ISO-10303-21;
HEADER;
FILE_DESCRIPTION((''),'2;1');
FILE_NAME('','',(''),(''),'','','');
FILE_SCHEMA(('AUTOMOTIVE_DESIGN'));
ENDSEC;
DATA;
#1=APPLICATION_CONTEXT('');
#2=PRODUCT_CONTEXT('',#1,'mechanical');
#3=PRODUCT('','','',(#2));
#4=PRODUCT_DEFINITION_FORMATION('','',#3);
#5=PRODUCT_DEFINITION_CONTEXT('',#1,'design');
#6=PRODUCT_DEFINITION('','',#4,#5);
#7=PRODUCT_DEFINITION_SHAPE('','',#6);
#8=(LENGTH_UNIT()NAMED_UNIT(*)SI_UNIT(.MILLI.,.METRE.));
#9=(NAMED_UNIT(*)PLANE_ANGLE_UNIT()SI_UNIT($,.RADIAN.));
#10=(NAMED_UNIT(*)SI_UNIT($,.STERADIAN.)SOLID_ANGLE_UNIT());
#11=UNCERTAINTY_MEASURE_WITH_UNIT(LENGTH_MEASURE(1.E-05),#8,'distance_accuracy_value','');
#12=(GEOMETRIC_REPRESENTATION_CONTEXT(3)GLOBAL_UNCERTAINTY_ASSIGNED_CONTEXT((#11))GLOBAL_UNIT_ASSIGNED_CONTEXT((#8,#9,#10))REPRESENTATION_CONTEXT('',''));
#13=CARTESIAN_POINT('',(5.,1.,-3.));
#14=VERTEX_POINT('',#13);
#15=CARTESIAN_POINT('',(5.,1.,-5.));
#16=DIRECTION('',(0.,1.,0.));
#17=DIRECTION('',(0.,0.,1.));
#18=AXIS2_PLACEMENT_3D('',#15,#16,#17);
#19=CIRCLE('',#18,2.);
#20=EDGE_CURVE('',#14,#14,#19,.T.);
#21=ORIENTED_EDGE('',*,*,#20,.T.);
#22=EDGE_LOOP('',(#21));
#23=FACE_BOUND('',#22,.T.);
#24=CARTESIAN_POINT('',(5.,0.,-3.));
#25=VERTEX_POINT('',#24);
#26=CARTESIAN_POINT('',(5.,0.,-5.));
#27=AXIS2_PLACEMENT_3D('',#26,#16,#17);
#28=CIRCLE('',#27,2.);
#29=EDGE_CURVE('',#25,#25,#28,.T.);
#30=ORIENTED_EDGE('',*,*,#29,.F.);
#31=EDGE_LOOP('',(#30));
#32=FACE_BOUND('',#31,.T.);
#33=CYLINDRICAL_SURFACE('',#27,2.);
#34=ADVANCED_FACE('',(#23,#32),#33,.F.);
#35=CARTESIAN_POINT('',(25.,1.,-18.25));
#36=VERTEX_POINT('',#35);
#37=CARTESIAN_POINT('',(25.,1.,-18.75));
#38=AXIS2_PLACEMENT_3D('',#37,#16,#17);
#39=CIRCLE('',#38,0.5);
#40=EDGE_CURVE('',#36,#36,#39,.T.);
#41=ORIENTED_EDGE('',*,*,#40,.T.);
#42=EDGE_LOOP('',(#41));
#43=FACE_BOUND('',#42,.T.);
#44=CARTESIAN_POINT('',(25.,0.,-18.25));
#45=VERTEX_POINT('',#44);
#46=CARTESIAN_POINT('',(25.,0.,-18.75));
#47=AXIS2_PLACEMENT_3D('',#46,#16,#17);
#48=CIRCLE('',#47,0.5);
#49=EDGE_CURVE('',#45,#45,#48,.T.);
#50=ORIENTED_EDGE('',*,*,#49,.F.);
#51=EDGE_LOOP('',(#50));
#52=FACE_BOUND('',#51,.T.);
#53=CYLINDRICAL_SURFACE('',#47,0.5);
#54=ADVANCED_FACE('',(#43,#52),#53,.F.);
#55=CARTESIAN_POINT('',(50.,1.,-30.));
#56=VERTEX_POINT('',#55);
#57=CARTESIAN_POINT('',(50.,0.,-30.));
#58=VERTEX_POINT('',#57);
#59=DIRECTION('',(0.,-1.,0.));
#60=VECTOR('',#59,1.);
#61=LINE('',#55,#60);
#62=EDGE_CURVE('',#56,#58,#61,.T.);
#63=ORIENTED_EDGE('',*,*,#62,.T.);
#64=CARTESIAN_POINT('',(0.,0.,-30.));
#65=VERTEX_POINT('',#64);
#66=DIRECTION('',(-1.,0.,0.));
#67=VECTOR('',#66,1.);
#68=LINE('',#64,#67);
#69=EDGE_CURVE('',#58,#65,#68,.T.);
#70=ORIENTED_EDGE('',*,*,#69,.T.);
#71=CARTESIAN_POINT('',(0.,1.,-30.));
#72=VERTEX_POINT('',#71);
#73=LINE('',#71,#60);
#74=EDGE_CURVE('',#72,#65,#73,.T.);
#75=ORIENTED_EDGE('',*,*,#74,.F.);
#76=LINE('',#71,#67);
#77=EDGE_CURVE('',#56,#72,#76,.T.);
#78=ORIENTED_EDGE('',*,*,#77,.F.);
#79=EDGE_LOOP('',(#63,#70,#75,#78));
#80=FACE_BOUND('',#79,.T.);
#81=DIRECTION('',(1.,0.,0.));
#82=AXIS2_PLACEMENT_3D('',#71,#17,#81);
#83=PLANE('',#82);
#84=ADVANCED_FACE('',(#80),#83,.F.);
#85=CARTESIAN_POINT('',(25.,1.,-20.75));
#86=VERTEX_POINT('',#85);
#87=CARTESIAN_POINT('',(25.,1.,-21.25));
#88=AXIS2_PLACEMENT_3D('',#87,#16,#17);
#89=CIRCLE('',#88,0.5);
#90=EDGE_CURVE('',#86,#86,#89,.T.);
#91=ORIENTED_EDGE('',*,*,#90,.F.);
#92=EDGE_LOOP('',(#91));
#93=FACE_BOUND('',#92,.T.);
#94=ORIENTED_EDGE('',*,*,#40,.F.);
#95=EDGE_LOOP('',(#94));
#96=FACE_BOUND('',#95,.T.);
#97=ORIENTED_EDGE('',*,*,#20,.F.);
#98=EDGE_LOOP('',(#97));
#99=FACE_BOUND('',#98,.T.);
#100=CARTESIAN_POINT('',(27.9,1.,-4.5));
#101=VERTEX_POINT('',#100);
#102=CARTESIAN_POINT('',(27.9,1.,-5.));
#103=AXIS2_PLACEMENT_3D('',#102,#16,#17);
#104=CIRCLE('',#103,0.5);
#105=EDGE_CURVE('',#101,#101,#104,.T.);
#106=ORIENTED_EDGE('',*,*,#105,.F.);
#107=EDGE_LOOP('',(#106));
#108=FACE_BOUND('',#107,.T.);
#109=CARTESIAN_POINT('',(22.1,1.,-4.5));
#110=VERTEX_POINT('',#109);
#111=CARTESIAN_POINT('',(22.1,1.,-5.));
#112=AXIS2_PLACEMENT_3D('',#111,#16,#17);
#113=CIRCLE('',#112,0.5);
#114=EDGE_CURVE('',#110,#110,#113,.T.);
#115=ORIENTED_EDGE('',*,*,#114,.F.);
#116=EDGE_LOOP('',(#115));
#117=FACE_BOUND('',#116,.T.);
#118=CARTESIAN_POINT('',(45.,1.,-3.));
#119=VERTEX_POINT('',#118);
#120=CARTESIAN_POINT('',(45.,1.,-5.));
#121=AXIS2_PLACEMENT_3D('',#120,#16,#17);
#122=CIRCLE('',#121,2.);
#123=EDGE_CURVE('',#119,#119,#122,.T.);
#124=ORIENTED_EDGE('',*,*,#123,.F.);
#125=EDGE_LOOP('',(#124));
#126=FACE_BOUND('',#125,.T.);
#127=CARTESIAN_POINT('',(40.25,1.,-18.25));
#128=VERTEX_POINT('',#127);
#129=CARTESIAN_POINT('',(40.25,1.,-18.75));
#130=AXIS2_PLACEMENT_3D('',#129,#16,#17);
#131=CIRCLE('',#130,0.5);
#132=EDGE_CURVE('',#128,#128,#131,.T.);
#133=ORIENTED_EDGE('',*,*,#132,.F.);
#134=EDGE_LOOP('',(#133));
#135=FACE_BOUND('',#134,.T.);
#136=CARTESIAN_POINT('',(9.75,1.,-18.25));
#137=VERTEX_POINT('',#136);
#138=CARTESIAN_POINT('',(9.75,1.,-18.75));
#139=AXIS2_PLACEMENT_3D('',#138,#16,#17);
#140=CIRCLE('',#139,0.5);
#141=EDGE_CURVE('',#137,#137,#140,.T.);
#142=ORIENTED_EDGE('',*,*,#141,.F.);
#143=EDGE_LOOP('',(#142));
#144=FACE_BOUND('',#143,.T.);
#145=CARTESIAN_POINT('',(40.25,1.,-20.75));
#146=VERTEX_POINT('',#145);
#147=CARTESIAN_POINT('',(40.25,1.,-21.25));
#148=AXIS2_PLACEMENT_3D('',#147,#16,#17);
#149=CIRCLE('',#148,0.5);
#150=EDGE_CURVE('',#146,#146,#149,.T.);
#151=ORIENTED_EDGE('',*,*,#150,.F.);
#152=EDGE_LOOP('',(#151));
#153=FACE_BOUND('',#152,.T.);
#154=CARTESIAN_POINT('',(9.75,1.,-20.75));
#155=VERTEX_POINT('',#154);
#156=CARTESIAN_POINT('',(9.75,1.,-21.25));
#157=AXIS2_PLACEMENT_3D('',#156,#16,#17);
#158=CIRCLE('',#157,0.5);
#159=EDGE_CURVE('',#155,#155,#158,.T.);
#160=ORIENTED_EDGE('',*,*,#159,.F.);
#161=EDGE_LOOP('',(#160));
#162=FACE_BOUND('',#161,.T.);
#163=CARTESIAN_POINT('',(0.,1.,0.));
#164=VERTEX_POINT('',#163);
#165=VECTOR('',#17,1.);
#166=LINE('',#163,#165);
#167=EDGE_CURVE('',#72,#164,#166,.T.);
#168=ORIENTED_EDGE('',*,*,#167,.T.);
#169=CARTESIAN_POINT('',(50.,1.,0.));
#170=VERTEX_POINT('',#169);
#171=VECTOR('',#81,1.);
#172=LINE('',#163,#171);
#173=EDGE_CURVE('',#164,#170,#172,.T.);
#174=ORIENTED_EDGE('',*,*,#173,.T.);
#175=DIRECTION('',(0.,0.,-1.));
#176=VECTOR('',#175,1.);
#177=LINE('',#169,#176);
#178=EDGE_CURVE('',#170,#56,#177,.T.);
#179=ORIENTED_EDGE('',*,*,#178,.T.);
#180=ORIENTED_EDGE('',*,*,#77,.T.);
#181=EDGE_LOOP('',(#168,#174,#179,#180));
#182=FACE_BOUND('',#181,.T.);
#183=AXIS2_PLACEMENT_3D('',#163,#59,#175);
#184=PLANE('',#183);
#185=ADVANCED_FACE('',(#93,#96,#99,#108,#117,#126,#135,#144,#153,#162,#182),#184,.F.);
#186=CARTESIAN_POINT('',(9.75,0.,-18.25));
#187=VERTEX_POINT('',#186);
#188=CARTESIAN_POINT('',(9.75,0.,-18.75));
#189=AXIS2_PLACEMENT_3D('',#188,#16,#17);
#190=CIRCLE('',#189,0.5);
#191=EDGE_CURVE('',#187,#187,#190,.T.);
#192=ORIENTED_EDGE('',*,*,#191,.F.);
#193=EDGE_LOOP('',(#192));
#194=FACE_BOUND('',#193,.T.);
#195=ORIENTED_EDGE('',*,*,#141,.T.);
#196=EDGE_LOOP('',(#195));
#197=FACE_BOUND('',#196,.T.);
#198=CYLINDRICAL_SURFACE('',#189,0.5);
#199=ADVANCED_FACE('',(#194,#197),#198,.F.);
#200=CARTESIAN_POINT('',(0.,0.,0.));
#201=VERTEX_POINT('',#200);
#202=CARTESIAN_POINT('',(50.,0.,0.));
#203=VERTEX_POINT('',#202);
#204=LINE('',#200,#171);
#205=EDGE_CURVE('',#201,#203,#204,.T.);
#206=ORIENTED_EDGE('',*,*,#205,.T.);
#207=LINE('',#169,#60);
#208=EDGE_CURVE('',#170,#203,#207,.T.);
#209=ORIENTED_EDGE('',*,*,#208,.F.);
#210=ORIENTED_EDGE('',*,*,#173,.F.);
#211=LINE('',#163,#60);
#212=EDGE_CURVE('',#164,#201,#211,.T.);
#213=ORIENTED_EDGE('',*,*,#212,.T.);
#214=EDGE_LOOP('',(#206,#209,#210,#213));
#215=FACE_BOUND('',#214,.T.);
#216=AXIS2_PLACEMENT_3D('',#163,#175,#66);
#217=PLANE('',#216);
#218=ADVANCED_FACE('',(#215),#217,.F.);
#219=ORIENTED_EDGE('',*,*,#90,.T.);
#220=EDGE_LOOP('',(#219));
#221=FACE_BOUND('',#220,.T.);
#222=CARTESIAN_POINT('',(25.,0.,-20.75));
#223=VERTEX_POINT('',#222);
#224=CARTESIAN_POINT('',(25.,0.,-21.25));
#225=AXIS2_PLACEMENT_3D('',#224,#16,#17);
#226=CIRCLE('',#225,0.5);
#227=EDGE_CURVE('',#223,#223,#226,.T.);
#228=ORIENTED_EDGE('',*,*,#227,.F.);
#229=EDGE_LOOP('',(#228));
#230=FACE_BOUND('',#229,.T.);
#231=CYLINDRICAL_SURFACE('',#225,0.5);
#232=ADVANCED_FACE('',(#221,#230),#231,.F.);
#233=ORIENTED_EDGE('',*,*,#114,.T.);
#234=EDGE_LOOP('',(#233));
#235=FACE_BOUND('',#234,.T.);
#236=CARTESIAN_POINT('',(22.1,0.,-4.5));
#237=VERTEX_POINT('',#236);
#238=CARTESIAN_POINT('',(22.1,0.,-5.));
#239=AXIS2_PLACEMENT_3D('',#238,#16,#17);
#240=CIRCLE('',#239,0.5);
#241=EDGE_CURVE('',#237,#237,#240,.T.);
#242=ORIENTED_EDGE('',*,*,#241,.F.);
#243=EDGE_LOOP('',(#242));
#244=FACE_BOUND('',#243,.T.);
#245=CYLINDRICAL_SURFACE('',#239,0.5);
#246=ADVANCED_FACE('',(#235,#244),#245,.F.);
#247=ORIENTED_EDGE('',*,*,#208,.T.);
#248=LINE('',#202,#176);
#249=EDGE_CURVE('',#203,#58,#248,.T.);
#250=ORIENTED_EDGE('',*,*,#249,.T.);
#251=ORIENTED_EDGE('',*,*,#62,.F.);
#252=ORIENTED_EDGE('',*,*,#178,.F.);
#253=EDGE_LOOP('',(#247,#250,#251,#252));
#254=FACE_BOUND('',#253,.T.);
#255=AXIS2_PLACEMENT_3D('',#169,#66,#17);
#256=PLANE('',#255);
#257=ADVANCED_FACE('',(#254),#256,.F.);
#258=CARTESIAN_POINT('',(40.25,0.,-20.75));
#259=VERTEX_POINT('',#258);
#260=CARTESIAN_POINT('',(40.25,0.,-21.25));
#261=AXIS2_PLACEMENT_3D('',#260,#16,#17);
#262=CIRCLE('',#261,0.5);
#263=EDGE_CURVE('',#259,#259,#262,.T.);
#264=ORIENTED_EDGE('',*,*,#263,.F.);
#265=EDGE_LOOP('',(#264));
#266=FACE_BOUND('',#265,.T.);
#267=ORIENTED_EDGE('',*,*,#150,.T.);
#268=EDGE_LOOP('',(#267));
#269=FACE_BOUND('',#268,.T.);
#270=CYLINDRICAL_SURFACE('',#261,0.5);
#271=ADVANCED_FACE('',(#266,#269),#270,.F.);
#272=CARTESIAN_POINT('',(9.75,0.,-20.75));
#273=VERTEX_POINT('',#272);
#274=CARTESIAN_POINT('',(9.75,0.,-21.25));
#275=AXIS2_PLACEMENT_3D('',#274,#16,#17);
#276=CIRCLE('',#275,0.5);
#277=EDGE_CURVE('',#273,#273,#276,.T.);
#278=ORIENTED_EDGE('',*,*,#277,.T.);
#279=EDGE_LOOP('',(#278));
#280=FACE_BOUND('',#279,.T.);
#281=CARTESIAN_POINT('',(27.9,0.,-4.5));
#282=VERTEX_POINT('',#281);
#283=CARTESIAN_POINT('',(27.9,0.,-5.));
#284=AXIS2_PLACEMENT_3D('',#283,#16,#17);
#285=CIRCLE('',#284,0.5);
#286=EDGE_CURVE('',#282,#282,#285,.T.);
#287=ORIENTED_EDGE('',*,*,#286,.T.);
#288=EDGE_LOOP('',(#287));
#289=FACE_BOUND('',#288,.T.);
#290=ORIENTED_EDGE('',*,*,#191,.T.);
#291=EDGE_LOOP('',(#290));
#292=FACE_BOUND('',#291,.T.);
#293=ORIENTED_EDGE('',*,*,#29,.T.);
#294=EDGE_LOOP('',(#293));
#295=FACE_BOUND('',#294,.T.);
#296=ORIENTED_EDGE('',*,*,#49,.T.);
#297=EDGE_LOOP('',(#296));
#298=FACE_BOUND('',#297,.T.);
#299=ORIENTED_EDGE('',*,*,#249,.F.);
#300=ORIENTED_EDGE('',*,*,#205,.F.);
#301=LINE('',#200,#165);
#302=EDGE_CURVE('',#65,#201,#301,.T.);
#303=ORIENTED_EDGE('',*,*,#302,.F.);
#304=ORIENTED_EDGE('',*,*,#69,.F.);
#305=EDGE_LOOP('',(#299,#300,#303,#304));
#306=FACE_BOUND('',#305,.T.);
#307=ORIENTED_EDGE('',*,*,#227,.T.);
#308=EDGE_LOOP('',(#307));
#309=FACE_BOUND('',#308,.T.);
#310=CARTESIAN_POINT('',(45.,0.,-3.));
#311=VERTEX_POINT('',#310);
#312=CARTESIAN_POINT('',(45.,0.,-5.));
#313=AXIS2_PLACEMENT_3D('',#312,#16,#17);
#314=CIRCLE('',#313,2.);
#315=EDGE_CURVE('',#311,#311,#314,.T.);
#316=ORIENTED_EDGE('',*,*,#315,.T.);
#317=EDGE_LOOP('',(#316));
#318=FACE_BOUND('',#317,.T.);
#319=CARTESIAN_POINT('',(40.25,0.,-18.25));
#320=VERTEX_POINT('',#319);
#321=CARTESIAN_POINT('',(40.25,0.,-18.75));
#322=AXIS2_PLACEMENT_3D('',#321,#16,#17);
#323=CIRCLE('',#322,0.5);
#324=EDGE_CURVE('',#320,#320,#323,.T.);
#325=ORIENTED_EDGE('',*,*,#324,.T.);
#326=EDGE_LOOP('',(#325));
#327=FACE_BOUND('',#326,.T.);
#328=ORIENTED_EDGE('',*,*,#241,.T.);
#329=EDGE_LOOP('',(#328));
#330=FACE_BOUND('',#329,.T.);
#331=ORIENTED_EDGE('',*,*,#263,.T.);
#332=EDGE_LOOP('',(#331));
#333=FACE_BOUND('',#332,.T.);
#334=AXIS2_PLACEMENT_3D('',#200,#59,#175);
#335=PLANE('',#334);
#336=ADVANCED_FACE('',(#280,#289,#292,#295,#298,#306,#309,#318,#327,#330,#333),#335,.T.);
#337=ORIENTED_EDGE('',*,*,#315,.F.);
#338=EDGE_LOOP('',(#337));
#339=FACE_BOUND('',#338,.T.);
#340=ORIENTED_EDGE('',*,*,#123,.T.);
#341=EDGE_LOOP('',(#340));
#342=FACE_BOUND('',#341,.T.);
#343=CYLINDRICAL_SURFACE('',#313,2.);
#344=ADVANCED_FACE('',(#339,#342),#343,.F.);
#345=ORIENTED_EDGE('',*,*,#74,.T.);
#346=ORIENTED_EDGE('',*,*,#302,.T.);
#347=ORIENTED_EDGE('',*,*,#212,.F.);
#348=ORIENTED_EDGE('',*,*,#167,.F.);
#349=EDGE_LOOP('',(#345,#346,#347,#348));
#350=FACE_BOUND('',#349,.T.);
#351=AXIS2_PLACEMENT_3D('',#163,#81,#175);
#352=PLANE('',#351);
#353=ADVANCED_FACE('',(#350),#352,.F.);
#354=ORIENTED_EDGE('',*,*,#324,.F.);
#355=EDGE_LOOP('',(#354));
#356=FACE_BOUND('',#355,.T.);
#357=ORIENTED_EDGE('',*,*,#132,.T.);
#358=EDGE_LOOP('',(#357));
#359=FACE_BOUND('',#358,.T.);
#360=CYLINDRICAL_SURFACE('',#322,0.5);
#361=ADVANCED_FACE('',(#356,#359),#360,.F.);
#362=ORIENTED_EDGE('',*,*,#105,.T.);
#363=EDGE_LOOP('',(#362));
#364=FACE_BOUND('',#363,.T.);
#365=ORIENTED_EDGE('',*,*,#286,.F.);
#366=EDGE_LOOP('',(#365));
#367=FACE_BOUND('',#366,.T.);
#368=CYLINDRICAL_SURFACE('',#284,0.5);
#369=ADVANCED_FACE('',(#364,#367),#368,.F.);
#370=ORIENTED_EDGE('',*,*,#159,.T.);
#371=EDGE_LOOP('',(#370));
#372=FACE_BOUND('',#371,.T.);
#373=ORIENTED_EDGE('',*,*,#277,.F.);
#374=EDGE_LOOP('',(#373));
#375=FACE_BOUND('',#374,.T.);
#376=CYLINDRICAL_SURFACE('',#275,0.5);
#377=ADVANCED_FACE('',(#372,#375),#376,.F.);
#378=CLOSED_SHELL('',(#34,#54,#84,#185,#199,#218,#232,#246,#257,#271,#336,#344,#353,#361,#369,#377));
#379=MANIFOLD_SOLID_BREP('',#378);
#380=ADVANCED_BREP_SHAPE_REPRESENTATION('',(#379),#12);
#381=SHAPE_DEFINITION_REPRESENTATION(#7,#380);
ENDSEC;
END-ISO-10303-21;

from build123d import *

# Parameters (mm, degrees)
SKETCH1_W           = 50
SKETCH1_H           = 30
BOSS_EXTRUDE1_DEPTH = 1
SKETCH2_R           = 0.5
SKETCH2_R_2         = 2
CUT_EXTRUDE1_DEPTH  = 1


with BuildPart() as part:
    # Sketch1 → Boss-Extrude1 (new body)
    with BuildSketch(Plane(origin=(0, 0, 0), x_dir=(1, 0, 0), z_dir=(0, 1, 0))):
        with Locations((25, 15)):
            Rectangle(SKETCH1_W, SKETCH1_H)
    extrude(amount=BOSS_EXTRUDE1_DEPTH)

    # Sketch2 → Cut-Extrude1 (cut)
    with BuildSketch(Plane(origin=(0, 1, 0), x_dir=(1, 0, 0), z_dir=(0, 1, 0))):
        with Locations((22.1, 5)):
            Circle(SKETCH2_R)
        with Locations((27.9, 5)):
            Circle(SKETCH2_R)
        with Locations((9.75, 18.75)):
            Circle(SKETCH2_R)
        with Locations((9.75, 21.25)):
            Circle(SKETCH2_R)
        with Locations((25, 18.75)):
            Circle(SKETCH2_R)
        with Locations((25, 21.25)):
            Circle(SKETCH2_R)
        with Locations((40.25, 18.75)):
            Circle(SKETCH2_R)
        with Locations((40.25, 21.25)):
            Circle(SKETCH2_R)
        with Locations((45, 5)):
            Circle(SKETCH2_R_2)
        with Locations((5, 5)):
            Circle(SKETCH2_R_2)
    extrude(amount=-CUT_EXTRUDE1_DEPTH, mode=Mode.SUBTRACT)


solid = part.part
